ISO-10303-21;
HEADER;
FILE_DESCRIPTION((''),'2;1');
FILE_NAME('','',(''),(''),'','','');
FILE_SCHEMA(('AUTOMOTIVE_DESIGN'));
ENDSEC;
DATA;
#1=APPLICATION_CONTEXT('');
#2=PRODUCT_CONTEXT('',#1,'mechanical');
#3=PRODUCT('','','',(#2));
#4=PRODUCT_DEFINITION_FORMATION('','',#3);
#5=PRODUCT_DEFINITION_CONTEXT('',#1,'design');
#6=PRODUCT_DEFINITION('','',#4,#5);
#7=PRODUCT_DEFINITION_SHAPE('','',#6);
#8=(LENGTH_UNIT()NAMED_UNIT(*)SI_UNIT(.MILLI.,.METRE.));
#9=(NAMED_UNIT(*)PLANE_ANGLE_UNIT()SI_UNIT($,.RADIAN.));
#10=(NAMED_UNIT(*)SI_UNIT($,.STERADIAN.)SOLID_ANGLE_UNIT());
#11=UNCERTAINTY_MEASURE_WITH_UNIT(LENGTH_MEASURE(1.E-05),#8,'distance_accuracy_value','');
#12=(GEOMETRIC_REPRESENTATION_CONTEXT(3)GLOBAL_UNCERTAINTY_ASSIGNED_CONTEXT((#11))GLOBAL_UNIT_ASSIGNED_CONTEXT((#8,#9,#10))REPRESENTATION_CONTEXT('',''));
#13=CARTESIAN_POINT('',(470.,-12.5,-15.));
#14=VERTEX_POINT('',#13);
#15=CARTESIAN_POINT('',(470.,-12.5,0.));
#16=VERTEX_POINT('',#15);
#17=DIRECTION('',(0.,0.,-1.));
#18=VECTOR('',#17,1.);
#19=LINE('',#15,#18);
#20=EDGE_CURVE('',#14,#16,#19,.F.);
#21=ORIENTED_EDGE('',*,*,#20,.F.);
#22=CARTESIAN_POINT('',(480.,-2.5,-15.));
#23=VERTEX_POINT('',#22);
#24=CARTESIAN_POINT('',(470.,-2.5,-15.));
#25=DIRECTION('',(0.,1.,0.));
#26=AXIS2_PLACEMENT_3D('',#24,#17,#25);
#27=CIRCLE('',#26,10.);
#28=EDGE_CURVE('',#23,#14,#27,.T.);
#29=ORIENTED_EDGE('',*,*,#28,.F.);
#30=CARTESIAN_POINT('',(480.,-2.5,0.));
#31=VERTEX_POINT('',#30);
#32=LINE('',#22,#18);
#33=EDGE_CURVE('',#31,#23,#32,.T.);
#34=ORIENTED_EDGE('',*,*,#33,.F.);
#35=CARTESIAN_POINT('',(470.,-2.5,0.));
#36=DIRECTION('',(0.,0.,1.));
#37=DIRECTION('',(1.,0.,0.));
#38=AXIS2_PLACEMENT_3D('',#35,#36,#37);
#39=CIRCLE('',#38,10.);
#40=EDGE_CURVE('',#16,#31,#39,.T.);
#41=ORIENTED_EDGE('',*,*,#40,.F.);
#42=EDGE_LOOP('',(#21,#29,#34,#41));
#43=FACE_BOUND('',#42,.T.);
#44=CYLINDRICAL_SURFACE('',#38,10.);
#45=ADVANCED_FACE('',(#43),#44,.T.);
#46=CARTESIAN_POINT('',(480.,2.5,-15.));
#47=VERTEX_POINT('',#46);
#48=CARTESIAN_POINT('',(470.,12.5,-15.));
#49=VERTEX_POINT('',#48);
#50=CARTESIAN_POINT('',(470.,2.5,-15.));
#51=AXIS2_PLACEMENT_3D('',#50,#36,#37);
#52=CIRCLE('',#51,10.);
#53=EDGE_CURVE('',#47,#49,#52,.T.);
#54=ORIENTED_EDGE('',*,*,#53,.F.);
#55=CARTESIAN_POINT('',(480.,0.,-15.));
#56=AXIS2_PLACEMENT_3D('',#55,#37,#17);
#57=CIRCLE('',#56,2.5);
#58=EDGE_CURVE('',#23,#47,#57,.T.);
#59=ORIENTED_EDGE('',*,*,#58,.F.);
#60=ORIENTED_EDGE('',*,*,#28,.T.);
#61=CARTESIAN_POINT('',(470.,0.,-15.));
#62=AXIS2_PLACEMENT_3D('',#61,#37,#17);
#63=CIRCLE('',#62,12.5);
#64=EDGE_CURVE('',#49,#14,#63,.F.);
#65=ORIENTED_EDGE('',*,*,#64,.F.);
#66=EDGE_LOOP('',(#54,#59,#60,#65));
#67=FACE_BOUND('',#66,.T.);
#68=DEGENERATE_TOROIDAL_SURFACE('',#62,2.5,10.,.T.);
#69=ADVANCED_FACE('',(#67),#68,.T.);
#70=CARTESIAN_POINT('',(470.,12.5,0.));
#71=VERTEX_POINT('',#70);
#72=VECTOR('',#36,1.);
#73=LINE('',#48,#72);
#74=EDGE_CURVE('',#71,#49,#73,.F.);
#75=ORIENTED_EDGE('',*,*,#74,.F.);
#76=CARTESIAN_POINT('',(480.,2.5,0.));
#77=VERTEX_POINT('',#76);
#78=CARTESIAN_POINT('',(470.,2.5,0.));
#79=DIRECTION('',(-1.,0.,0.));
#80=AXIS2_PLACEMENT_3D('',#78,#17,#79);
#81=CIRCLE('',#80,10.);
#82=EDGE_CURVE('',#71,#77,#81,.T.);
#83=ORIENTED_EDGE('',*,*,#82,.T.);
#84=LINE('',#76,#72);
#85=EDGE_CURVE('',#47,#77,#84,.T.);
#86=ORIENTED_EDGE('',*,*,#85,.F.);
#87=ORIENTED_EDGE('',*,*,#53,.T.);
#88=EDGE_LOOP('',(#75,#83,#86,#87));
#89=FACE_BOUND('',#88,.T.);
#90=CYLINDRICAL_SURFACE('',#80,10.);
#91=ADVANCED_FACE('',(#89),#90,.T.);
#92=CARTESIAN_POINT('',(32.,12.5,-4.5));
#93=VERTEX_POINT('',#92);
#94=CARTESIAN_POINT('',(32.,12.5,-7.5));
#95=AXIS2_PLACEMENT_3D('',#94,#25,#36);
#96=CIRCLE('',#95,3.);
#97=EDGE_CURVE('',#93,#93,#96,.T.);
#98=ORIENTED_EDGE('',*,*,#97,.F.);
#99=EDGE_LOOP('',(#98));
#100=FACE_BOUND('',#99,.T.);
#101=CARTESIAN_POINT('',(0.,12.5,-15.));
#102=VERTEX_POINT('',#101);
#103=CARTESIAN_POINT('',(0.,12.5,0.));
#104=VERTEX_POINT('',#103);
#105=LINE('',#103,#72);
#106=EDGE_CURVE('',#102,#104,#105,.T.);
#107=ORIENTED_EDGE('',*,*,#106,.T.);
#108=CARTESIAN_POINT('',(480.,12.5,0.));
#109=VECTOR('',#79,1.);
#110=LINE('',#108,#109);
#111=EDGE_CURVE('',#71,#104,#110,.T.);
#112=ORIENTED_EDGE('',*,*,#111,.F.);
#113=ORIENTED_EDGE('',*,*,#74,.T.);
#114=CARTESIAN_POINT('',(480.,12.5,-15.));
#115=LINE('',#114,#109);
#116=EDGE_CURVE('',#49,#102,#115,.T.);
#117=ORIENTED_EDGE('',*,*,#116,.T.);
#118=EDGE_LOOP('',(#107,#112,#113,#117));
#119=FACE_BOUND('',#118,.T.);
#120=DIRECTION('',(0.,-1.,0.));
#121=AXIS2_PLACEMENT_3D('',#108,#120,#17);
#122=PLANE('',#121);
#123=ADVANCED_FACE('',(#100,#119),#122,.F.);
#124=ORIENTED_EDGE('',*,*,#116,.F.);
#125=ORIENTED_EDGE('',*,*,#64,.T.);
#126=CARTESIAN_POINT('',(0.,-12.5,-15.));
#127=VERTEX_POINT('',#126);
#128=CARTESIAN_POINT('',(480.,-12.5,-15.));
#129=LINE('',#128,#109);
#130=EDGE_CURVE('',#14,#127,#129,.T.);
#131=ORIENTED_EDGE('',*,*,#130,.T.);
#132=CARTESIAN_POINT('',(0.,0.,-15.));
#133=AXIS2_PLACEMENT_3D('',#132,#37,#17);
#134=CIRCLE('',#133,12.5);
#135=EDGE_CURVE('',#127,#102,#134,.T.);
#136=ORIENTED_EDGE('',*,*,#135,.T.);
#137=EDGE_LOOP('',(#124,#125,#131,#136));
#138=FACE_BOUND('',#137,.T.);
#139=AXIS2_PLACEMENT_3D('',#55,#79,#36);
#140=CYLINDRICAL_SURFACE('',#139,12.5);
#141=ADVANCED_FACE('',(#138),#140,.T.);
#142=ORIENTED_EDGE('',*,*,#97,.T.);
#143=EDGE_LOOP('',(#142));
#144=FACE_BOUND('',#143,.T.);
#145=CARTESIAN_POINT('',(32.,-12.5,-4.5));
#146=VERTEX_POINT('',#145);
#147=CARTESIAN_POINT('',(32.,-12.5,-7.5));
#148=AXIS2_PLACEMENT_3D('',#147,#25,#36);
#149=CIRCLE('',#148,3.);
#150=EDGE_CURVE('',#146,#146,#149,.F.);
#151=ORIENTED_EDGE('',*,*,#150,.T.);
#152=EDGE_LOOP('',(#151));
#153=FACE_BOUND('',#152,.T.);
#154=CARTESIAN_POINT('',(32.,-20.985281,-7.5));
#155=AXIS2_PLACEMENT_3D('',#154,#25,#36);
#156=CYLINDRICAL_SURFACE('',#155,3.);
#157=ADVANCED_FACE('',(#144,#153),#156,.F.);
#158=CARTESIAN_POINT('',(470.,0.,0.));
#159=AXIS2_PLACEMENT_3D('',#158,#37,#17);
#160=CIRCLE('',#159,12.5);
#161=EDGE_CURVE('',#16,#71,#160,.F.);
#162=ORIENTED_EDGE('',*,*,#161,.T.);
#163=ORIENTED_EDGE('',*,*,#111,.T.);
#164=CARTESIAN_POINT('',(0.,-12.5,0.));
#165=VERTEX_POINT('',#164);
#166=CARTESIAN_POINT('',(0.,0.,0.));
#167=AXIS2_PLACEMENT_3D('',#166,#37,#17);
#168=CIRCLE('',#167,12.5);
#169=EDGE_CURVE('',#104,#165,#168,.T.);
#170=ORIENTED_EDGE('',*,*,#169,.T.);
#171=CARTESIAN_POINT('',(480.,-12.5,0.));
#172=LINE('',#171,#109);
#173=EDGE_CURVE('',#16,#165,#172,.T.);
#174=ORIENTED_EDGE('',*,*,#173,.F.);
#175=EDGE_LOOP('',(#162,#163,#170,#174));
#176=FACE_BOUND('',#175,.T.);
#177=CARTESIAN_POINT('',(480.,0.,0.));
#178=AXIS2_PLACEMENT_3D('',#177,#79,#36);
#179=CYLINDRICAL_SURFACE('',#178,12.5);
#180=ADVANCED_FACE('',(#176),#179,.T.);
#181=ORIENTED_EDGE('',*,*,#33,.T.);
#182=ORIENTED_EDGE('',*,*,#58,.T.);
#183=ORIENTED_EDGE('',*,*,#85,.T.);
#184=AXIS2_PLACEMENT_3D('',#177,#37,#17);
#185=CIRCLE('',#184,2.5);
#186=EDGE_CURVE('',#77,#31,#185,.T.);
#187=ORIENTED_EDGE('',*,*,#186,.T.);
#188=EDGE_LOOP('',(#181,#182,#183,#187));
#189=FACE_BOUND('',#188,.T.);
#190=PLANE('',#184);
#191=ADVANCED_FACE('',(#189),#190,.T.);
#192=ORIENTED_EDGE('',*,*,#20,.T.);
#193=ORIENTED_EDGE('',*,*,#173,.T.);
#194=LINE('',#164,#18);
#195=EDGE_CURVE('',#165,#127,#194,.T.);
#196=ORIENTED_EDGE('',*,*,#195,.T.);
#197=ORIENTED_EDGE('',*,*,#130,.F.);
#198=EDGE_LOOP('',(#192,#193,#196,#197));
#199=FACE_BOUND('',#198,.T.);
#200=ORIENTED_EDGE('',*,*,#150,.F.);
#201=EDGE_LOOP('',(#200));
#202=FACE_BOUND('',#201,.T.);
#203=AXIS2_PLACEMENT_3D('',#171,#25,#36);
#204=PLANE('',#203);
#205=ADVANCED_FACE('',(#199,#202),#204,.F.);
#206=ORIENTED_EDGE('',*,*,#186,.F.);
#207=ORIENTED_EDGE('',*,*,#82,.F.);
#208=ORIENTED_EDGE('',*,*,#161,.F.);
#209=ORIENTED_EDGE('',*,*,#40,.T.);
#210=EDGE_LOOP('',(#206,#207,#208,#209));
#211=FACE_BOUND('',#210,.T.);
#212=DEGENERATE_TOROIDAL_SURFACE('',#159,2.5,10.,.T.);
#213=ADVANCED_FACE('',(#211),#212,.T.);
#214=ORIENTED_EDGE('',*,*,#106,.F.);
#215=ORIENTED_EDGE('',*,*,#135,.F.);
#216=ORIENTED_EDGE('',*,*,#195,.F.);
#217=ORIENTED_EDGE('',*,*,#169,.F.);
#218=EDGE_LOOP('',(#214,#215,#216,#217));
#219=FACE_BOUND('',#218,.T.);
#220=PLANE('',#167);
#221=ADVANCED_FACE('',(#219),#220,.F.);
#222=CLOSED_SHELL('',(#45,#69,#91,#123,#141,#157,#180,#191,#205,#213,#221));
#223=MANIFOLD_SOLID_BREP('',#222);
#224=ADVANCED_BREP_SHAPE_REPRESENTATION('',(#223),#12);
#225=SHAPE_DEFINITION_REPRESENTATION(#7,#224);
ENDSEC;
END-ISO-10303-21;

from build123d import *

# Parameters (mm, degrees)
SALIENTE_EXTRUIR1_DEPTH = 480
REDONDEO1_R             = 10
CROQUIS2_R              = 3
CORTAR_EXTRUIR1_DEPTH   = 25


with BuildPart() as part:
    # Croquis1 → Saliente-Extruir1 (new body)
    with BuildSketch(Plane(origin=(0, 0, 0), x_dir=(0, 0, -1), z_dir=(1, 0, 0))):
        with BuildLine():
            Line((0, 12.5), (15, 12.5))
            ThreePointArc((15, 12.5), (27.5, 0), (15, -12.5))
            Line((15, -12.5), (0, -12.5))
            ThreePointArc((0, -12.5), (-12.5, 0), (0, 12.5))
        make_face()
    extrude(amount=SALIENTE_EXTRUIR1_DEPTH)

    # Redondeo1
    redondeo1_edges = [part.edges().sort_by_distance(p)[0] for p in [
        (480, 0, -27.5),
        (480, 12.5, -7.5),
        (480, 0, 12.5),
        (480, -12.5, -7.5),
    ]]
    fillet(redondeo1_edges, radius=REDONDEO1_R)

    # Croquis2 → Cortar-Extruir1 (cut)
    with BuildSketch(Plane(origin=(0, 12.5, 0), x_dir=(1, 0, 0), z_dir=(0, 1, 0))):
        with Locations((32, 7.5)):
            Circle(CROQUIS2_R)
    extrude(amount=-CORTAR_EXTRUIR1_DEPTH, mode=Mode.SUBTRACT)


solid = part.part
